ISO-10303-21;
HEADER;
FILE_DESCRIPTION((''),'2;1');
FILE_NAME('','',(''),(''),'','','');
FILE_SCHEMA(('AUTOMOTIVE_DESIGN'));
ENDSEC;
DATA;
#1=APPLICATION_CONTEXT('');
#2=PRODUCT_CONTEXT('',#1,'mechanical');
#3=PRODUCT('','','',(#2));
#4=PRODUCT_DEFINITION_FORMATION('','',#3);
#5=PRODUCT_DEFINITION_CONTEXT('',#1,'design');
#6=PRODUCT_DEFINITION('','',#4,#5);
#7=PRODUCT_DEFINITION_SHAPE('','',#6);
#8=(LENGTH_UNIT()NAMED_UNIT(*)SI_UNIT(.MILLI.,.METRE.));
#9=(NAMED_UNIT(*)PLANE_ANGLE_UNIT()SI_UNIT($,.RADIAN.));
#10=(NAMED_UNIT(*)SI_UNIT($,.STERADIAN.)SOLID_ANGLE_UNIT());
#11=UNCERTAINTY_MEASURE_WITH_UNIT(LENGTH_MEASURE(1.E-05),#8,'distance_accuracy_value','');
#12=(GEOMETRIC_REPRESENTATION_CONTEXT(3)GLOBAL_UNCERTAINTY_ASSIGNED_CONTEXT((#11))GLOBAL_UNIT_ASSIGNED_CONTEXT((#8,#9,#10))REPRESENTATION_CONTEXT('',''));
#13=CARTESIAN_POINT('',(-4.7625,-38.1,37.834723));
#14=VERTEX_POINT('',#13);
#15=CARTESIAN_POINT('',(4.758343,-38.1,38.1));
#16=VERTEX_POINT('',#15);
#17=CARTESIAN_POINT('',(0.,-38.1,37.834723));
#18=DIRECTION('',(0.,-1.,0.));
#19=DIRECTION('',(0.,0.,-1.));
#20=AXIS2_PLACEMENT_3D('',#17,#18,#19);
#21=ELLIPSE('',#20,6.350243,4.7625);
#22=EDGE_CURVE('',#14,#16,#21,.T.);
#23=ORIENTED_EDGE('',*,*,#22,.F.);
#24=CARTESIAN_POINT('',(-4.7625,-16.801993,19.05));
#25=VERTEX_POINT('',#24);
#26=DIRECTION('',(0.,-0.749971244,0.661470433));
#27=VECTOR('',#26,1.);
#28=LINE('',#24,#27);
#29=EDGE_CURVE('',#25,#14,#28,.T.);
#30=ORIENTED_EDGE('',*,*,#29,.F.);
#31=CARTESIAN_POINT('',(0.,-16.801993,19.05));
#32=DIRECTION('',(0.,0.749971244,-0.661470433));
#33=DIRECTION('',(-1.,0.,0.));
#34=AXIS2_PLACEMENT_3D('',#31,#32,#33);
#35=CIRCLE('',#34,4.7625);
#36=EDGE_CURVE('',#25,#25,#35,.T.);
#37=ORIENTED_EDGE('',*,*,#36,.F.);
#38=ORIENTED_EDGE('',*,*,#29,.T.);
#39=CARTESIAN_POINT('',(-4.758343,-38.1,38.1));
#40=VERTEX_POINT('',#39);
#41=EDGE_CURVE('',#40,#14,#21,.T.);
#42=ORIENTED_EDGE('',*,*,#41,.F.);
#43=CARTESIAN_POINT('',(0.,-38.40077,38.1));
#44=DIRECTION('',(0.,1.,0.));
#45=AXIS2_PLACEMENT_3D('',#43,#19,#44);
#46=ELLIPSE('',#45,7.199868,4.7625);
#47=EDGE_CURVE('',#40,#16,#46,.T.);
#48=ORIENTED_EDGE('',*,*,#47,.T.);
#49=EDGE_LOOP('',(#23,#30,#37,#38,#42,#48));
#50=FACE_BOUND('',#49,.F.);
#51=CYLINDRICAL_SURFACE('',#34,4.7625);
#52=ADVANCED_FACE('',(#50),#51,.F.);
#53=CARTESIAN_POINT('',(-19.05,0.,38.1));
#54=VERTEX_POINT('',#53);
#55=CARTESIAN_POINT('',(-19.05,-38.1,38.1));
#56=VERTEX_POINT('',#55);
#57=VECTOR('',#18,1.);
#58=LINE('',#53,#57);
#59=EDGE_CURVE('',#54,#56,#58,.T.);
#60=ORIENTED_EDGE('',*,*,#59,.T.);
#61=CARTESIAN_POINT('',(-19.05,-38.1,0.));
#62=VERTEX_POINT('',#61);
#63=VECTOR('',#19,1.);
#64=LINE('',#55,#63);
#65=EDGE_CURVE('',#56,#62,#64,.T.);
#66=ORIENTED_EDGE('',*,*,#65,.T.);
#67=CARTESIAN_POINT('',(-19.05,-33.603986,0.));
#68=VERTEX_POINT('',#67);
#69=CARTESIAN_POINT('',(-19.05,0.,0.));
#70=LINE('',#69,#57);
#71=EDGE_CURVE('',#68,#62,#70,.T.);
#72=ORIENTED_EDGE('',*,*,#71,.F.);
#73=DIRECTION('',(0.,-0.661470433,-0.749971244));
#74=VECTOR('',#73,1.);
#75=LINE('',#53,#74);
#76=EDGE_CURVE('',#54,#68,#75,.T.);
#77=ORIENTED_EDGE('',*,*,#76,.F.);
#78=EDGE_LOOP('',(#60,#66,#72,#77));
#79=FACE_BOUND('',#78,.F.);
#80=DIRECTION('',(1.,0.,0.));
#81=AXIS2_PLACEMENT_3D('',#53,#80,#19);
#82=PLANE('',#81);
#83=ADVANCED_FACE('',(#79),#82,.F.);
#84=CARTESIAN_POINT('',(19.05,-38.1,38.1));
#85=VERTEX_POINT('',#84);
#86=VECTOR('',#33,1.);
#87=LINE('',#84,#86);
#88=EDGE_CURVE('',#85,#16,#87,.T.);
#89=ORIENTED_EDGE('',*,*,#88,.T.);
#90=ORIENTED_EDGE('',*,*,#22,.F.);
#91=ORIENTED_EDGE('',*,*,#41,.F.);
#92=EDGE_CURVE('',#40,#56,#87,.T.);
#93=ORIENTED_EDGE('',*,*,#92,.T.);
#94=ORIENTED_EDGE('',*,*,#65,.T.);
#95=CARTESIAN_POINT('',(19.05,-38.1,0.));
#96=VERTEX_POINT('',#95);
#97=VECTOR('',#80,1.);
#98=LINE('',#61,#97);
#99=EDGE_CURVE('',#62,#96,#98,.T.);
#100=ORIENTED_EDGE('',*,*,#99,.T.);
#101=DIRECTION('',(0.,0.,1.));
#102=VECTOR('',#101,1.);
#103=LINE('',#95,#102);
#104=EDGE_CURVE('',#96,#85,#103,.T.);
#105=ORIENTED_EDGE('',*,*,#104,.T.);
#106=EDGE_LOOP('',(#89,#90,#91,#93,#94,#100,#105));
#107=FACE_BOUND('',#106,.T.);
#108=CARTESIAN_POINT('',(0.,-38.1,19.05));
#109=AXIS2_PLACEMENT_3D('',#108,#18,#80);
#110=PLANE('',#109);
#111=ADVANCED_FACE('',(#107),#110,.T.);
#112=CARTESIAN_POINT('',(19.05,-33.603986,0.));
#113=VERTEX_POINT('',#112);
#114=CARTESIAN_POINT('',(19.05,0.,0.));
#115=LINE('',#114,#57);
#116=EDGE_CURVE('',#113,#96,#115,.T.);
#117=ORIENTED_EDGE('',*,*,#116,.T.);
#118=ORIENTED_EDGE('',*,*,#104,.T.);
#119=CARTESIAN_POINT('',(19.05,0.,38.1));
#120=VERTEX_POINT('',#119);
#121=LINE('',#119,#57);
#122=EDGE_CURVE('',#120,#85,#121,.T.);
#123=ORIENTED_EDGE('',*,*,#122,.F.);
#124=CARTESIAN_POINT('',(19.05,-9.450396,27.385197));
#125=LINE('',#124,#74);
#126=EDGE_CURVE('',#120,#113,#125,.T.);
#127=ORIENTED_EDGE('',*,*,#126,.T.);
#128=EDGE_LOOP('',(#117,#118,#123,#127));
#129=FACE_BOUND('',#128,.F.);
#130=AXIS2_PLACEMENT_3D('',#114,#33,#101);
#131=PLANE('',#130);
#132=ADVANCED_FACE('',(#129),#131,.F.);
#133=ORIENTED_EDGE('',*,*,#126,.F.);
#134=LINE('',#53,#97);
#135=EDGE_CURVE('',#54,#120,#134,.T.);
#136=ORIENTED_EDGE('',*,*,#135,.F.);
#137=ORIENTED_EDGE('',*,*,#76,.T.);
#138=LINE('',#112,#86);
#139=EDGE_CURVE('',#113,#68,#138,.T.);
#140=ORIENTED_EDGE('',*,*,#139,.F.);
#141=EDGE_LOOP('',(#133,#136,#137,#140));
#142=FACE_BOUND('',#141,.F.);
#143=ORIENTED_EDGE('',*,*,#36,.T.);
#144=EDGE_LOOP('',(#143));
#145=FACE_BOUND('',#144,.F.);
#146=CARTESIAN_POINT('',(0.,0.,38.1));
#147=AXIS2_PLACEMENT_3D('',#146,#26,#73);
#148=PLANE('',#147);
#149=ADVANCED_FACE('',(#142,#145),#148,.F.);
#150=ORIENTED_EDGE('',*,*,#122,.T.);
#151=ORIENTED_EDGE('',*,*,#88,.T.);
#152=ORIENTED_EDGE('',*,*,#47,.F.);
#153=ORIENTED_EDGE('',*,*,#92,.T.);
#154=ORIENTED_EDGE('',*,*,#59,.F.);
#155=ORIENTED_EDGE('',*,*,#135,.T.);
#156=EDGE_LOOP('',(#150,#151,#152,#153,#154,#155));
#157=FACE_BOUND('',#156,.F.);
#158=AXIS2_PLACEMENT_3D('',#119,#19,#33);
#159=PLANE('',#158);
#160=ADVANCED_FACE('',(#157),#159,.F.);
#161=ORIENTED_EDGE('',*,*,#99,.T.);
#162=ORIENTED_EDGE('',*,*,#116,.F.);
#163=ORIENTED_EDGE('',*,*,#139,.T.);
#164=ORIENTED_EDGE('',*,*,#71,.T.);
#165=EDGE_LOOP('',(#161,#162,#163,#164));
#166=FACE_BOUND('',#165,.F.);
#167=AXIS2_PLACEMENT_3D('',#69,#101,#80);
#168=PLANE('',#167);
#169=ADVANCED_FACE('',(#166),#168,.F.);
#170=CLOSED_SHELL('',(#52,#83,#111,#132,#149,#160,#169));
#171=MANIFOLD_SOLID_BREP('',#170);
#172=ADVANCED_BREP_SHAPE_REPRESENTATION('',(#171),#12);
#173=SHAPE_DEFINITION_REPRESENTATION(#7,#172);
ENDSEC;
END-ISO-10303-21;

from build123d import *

# Parameters (mm, degrees)
F1_DEPTH      = 38.1
F3_DEPTH      = 19.051
F3_DEPTH_BACK = 19.051
F4_R          = 4.7625
F5_DEPTH      = 28.5749043881


with BuildPart() as f1:
    # F0 (on Front) → F1 (new body)
    with BuildSketch(Plane.XZ):
        Polygon((-19.05, 38.1), (-19.05, 0), (0, 0), (19.05, 0), (19.05, 38.1), align=None)
    extrude(amount=F1_DEPTH)

    # F2 (on Right) → F3 (cut, two sides)
    with BuildSketch(Plane.YZ) as f3_sk:
        Polygon((-33.6039864189, 0), (0, 0), (0, 38.1), align=None)
    extrude(amount=-F3_DEPTH, mode=Mode.SUBTRACT)
    extrude(f3_sk.sketch, amount=F3_DEPTH_BACK, mode=Mode.SUBTRACT)

    # F4 (on face) → F5 (cut, through all)
    with BuildSketch(Plane(origin=(0, -18.9007929031, 16.6703933864), x_dir=(-1, 0, 0), z_dir=(0, 0.7499712438, -0.6614704328))):
        with Locations((0, 3.1729304735)):
            Circle(F4_R)
    extrude(amount=-F5_DEPTH, mode=Mode.SUBTRACT)


solid = f1.part
